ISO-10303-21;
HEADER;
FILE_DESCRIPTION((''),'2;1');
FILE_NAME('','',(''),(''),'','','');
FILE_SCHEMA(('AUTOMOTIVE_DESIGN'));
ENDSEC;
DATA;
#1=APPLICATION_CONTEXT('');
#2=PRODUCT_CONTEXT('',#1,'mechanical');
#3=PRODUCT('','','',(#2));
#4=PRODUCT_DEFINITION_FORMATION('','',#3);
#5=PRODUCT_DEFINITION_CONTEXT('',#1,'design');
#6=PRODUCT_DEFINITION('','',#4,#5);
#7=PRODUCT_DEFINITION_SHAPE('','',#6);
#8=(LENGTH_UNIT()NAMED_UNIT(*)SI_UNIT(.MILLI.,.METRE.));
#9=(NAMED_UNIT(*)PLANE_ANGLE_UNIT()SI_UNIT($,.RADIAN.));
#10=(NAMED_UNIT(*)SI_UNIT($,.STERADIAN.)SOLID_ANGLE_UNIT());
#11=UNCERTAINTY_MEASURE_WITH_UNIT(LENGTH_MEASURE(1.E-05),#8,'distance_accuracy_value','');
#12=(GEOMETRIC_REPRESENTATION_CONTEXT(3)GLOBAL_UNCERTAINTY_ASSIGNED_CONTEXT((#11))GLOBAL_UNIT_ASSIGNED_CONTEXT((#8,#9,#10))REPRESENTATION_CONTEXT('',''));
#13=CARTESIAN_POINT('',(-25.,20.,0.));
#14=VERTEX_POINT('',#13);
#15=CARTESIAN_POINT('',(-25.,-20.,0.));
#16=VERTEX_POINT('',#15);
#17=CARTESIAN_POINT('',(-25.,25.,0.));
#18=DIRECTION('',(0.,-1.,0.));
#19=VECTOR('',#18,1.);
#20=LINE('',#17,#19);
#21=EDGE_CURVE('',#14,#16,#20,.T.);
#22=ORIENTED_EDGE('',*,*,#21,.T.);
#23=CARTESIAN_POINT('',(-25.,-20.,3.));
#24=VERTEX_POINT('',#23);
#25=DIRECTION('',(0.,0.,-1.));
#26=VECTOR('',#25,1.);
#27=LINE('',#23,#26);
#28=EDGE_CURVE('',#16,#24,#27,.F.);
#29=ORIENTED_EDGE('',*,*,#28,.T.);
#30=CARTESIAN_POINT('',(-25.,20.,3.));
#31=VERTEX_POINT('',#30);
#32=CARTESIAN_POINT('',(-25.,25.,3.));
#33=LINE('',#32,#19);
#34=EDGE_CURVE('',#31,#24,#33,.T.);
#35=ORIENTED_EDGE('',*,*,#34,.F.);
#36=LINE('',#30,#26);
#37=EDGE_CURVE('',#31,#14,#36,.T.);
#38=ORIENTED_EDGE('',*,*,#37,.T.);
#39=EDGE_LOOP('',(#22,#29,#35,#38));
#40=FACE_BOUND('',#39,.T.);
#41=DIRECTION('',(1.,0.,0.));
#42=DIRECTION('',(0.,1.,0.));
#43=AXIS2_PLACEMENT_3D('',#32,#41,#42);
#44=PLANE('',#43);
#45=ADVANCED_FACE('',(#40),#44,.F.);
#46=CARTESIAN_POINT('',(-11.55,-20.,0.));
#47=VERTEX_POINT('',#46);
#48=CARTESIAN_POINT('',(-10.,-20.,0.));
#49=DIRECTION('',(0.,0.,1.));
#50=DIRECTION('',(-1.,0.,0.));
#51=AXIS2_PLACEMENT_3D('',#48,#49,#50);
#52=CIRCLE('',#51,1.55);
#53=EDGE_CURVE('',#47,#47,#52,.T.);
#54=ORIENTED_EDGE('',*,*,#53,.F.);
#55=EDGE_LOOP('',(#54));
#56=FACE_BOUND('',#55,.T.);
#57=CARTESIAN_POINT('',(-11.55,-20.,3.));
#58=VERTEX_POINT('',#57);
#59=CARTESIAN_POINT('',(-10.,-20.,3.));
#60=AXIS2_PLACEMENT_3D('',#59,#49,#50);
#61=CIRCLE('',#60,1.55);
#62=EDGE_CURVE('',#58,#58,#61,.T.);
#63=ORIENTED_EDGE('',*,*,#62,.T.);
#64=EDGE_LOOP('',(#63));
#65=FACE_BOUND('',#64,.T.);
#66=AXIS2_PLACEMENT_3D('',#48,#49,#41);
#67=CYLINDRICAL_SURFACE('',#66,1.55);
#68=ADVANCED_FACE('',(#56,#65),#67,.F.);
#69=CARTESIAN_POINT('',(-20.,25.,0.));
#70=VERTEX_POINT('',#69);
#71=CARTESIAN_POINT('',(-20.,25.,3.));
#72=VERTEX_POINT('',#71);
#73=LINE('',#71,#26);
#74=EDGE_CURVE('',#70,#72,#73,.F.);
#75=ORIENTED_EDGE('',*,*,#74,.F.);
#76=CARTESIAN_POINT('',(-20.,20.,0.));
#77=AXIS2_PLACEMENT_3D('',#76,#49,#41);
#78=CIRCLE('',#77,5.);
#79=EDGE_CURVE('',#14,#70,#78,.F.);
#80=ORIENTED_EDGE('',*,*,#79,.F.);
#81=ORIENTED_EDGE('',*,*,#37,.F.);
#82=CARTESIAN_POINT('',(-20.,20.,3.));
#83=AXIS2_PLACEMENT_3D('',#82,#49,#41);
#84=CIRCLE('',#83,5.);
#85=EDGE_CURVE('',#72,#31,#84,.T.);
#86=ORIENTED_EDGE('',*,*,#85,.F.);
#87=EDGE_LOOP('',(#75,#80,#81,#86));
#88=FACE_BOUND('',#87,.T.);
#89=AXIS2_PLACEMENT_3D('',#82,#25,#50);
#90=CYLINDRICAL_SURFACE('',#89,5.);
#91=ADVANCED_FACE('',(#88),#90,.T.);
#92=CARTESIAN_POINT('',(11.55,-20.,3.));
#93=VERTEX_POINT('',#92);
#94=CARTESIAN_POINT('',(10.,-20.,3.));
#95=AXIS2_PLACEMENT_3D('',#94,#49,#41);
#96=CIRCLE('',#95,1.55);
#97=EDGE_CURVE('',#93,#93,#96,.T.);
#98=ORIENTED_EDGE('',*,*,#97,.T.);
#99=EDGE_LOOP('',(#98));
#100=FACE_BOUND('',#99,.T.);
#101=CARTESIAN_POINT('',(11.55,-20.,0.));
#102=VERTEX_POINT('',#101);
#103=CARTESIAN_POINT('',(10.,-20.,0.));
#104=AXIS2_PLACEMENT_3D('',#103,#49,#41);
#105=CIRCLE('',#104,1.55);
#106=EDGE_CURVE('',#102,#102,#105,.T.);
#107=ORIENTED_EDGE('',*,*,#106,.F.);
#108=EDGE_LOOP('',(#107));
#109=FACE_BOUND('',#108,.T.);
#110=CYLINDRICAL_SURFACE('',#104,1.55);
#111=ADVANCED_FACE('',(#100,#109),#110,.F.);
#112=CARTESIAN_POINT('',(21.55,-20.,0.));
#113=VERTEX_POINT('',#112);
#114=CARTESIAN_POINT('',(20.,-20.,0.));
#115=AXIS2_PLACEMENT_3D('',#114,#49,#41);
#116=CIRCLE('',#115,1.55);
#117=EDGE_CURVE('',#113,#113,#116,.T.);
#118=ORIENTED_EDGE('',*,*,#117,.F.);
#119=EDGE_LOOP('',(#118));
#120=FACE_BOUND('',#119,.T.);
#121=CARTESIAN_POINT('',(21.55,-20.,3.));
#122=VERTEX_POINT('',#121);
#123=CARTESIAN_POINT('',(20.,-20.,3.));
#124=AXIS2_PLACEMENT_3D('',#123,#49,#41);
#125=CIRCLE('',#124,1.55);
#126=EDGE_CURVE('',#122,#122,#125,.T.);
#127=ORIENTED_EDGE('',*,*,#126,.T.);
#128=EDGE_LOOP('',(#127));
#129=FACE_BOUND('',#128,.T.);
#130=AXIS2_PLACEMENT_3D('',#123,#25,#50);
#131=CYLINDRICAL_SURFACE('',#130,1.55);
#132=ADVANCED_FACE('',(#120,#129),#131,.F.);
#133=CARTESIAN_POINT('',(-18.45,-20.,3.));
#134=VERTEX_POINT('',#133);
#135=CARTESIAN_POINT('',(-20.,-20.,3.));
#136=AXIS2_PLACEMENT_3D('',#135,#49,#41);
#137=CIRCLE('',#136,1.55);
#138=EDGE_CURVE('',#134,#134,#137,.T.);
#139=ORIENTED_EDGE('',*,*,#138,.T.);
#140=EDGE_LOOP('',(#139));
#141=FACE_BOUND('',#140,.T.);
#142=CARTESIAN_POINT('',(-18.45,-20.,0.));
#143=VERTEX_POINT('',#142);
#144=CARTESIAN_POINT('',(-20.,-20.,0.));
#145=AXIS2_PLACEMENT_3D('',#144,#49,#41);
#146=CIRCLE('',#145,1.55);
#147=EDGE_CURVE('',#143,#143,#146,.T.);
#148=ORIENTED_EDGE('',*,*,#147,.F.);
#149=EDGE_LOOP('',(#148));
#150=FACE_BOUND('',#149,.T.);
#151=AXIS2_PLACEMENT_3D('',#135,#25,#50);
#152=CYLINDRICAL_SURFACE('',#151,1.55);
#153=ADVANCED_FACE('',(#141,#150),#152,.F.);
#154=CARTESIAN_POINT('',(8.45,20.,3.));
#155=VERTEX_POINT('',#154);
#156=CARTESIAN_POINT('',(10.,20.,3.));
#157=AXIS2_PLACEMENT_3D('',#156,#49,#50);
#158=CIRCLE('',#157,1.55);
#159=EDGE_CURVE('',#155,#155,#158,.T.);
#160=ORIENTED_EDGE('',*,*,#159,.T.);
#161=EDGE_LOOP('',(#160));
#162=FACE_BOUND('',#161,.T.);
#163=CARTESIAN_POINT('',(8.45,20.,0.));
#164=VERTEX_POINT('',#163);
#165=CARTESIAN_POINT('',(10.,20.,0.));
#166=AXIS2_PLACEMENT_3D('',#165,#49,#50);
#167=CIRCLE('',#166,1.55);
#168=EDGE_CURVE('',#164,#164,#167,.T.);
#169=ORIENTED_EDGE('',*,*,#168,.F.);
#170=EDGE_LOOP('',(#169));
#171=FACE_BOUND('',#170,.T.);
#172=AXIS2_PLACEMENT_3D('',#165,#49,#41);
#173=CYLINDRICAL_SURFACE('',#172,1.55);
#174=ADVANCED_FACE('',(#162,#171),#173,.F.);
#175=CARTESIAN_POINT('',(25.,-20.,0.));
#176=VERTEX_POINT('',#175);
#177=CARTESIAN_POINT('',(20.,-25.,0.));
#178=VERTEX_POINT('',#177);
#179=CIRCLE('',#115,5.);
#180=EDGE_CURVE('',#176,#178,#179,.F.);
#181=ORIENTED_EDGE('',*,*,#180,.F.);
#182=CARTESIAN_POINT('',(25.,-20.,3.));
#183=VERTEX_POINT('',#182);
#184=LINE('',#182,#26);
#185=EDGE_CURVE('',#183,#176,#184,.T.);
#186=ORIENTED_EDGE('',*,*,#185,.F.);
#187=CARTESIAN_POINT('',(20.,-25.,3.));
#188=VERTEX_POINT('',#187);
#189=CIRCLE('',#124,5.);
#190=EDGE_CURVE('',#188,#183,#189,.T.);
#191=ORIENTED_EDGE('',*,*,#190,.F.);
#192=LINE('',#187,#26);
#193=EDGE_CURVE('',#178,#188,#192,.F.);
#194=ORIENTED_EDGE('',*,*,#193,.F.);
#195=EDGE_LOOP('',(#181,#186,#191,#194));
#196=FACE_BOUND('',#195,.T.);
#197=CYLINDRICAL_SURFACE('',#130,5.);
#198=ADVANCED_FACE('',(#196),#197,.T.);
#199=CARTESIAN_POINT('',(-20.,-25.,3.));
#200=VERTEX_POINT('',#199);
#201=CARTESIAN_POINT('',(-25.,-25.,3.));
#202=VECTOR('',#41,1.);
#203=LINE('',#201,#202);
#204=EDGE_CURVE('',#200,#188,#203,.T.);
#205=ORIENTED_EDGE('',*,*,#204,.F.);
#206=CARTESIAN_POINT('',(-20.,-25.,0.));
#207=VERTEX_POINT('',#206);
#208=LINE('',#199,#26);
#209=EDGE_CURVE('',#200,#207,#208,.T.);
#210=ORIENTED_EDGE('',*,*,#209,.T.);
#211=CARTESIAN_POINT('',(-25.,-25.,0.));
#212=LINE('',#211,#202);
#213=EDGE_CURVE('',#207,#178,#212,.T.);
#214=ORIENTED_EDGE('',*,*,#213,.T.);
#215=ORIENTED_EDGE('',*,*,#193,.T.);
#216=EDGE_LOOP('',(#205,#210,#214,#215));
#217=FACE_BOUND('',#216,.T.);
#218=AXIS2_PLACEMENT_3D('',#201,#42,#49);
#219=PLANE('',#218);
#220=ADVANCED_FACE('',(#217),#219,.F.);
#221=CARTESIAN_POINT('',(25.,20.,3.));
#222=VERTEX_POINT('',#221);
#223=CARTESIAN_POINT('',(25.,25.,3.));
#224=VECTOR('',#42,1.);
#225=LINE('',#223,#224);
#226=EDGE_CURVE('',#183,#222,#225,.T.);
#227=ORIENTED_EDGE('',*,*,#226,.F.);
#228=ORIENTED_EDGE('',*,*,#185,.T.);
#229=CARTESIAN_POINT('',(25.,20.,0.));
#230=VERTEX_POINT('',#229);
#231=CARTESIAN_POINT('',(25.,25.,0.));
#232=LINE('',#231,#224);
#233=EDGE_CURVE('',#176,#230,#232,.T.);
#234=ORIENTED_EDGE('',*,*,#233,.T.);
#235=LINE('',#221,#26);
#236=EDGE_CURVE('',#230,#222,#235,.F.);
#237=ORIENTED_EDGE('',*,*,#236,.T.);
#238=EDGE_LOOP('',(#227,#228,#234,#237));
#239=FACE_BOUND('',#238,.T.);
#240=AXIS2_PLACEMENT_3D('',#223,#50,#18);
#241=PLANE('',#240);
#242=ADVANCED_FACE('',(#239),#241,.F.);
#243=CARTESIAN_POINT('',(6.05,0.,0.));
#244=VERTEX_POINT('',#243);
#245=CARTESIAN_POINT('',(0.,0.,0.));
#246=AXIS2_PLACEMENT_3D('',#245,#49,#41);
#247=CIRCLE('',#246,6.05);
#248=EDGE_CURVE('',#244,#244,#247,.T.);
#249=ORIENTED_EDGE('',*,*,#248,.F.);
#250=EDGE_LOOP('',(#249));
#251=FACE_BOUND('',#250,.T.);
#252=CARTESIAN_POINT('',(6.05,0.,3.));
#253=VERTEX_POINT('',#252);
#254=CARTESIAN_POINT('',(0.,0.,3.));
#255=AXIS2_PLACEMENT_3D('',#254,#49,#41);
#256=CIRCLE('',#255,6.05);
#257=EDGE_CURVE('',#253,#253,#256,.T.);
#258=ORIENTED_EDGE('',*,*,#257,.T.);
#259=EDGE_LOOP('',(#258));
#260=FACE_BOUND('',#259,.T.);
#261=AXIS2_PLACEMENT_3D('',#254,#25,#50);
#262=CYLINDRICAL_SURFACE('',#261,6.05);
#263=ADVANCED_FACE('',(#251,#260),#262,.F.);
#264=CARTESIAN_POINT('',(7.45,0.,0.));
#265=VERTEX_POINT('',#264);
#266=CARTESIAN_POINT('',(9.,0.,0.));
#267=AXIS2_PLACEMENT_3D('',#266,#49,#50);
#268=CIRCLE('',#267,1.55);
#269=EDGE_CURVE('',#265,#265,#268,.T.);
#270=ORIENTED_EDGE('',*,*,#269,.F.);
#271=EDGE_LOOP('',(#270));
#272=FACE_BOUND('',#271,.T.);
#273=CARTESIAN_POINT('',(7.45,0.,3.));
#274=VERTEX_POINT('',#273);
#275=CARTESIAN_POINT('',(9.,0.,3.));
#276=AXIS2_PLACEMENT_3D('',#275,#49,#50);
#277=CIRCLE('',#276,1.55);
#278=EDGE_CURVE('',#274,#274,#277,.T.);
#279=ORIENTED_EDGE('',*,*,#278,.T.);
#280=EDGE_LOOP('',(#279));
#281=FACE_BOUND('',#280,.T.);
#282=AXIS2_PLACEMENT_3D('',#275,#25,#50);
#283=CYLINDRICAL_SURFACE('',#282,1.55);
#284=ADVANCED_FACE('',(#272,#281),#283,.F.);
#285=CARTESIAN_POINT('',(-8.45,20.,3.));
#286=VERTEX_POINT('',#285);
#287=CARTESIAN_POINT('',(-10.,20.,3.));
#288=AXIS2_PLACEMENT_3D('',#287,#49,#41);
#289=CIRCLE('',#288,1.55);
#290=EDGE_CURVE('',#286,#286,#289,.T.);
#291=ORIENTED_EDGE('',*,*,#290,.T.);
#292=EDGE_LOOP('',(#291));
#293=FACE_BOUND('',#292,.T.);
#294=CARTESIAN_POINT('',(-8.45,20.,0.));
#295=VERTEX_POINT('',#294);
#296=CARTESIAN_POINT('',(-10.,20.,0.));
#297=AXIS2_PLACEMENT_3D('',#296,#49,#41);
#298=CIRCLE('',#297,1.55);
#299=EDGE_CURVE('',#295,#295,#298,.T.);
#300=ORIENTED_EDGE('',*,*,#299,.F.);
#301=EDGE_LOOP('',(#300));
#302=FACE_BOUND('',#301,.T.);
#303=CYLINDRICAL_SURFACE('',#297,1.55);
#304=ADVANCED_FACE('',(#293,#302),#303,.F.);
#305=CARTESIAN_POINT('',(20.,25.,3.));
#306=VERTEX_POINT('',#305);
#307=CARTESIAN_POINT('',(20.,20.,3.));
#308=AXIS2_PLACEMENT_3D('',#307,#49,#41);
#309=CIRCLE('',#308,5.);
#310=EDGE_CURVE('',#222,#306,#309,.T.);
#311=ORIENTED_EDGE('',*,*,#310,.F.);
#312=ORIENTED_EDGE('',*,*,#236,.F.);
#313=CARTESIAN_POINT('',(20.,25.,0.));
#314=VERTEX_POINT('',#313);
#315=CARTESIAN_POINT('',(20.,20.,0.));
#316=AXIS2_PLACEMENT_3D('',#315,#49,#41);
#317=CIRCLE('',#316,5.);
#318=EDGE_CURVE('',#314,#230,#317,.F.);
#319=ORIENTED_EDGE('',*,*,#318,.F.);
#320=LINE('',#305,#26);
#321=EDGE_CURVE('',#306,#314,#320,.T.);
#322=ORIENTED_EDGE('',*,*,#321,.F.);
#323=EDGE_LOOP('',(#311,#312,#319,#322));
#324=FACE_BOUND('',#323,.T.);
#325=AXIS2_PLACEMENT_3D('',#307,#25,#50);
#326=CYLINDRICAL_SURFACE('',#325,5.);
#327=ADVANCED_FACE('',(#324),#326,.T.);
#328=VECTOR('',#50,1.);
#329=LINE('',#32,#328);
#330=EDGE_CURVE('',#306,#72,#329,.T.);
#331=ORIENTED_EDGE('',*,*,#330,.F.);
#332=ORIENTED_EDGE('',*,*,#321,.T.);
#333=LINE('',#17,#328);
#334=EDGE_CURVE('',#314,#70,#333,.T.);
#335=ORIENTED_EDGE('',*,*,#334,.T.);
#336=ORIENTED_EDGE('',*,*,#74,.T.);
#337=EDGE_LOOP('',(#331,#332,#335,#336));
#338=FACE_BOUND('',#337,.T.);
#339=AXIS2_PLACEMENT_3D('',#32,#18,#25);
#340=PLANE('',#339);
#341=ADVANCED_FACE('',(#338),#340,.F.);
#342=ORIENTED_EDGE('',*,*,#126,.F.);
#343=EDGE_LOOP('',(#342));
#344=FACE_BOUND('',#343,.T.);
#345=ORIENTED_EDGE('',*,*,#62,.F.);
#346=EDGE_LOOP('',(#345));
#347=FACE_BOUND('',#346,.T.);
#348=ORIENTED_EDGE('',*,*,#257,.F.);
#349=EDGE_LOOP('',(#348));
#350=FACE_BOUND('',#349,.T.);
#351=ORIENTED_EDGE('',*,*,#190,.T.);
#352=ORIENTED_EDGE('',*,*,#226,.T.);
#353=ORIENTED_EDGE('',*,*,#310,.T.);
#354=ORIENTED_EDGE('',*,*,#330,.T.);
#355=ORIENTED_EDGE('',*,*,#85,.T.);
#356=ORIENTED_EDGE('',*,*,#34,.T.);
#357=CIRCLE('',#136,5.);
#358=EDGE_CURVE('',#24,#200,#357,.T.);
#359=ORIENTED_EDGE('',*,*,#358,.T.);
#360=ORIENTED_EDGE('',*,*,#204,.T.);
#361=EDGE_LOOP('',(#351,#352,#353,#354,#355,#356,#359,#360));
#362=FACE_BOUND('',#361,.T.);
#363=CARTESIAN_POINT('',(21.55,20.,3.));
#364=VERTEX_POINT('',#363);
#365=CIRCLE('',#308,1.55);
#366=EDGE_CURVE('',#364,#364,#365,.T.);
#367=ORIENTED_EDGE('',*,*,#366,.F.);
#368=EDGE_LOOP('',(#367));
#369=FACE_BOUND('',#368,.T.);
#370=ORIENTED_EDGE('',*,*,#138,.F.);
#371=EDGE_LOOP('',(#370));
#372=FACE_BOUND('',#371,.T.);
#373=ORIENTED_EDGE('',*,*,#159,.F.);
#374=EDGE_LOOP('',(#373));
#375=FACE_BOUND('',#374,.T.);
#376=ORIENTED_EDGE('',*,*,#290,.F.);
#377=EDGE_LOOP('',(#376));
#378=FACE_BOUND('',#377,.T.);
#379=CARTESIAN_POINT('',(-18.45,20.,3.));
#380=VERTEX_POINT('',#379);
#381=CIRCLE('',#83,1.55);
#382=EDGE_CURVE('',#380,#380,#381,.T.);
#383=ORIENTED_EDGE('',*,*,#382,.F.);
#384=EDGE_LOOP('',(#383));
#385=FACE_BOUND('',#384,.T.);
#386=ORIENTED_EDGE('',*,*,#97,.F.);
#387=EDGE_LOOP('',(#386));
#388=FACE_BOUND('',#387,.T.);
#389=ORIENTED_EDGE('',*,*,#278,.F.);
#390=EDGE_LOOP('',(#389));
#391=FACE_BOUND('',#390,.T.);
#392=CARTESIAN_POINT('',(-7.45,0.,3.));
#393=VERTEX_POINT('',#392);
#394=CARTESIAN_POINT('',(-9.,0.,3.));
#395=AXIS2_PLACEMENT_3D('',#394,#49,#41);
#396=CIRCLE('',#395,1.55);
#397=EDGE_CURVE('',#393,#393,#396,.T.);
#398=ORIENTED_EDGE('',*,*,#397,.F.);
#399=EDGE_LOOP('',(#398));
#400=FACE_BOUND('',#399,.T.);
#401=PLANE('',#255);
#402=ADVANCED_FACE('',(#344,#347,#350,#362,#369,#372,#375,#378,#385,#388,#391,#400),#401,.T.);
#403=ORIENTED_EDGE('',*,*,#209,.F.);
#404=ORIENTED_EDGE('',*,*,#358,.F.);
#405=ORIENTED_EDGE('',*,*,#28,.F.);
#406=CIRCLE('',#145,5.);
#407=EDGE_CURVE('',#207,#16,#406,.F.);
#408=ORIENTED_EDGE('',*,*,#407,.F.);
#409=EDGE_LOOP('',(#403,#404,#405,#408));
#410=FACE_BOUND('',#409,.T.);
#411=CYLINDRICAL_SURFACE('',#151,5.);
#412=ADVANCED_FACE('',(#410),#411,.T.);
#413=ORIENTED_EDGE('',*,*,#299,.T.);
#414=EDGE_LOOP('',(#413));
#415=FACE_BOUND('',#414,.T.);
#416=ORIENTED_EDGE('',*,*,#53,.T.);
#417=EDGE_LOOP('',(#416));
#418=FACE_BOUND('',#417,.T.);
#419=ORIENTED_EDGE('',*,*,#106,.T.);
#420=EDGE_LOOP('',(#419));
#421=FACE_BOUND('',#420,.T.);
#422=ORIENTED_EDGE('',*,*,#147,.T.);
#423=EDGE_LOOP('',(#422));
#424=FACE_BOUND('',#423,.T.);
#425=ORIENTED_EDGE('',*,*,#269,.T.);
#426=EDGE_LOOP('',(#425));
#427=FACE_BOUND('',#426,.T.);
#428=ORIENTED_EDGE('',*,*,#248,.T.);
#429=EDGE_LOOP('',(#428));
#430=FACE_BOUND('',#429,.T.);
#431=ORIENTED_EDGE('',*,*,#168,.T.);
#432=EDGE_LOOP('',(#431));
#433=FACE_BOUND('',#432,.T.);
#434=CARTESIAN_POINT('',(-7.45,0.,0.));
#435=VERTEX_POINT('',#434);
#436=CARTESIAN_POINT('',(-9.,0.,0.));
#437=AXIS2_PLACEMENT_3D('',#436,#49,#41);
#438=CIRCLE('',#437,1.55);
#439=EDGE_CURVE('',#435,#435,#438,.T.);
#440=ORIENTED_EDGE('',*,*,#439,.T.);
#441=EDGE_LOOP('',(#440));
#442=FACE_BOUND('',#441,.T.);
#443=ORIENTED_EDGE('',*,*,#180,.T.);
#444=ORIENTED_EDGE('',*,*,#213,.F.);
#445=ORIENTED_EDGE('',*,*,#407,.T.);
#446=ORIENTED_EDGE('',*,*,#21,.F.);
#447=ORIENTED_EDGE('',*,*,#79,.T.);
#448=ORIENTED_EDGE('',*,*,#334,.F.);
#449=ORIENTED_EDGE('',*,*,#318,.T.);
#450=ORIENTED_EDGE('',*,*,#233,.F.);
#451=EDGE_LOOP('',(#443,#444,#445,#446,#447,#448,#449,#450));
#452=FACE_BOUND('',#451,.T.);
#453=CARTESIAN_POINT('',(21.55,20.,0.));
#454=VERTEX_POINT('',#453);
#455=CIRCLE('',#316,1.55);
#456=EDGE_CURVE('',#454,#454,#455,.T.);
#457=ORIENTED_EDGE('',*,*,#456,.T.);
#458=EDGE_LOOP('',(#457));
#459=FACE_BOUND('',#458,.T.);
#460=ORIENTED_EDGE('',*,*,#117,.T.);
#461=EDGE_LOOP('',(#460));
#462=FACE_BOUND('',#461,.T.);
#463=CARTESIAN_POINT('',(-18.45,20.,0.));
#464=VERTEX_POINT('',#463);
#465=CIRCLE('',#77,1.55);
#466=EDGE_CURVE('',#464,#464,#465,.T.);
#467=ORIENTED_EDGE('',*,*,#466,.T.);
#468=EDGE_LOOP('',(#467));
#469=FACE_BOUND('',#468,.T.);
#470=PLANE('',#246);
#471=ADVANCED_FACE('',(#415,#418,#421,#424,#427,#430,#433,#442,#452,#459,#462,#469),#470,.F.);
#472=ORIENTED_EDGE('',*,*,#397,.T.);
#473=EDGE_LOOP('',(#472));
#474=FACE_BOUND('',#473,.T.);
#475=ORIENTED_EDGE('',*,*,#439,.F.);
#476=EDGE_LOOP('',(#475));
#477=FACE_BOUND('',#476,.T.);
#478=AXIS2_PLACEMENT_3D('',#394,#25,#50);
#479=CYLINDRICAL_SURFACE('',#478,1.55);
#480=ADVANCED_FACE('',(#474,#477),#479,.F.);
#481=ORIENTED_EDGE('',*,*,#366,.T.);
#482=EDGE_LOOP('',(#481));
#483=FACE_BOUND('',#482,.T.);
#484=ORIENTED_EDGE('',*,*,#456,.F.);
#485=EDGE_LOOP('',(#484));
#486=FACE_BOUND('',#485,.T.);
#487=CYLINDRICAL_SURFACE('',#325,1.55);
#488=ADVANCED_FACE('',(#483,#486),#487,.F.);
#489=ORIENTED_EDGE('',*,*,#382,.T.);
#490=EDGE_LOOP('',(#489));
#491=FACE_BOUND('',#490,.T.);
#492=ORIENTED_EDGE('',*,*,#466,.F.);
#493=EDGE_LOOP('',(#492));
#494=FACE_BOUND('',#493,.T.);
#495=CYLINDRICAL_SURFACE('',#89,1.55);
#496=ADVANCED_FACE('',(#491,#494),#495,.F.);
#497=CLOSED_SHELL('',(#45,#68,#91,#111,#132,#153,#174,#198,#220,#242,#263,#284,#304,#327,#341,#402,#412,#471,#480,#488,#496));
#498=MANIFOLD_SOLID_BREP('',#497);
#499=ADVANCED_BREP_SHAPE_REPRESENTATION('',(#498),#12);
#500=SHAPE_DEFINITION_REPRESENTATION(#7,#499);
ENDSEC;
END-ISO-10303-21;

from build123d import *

# Parameters (mm, degrees)
SKETCH_1_W          = 50
SKETCH_1_H          = 50
SKETCH_1_R          = 1.55
SKETCH_1_R_2        = 6.05
EXTRUDE_1_DEPTH     = 3
FILLET_1_R          = 5
SKETCH_2_R          = 1.55
CUT_EXTRUDE_1_DEPTH = 36.482389998


with BuildPart() as part:
    # ｽｹｯﾁ1 → ﾎﾞｽ - 押し出し1 (new body)
    with BuildSketch(Plane.XY):
        Rectangle(SKETCH_1_W, SKETCH_1_H)
        with Locations((-20, 20)):
            Circle(SKETCH_1_R, mode=Mode.SUBTRACT)
        with Locations((20, 20)):
            Circle(SKETCH_1_R, mode=Mode.SUBTRACT)
        with Locations((20, -20)):
            Circle(SKETCH_1_R, mode=Mode.SUBTRACT)
        with Locations((-20, -20)):
            Circle(SKETCH_1_R, mode=Mode.SUBTRACT)
        Circle(SKETCH_1_R_2, mode=Mode.SUBTRACT)
        with Locations((-9, 0)):
            Circle(SKETCH_1_R, mode=Mode.SUBTRACT)
        with Locations(Location((9, 0, 0), (0, 0, 180))):
            Circle(SKETCH_1_R, mode=Mode.SUBTRACT)
    extrude(amount=EXTRUDE_1_DEPTH)

    # ﾌｨﾚｯﾄ1
    fillet_1_edges = [part.edges().sort_by_distance(p)[0] for p in [
        (25, -25, 1.5),
        (-25, -25, 1.5),
        (-25, 25, 1.5),
        (25, 25, 1.5),
    ]]
    fillet(fillet_1_edges, radius=FILLET_1_R)

    # ｽｹｯﾁ2 → ｶｯﾄ - 押し出し1 (cut, through all)
    with BuildSketch(Plane.XY.offset(3)):
        with Locations((-10, 20)):
            Circle(SKETCH_2_R)
        with Locations(Location((10, 20, 0), (0, 0, 180))):
            Circle(SKETCH_2_R)
        with Locations((10, -20)):
            Circle(SKETCH_2_R)
        with Locations(Location((-10, -20, 0), (0, 0, 180))):
            Circle(SKETCH_2_R)
    extrude(amount=-CUT_EXTRUDE_1_DEPTH, mode=Mode.SUBTRACT)


solid = part.part
